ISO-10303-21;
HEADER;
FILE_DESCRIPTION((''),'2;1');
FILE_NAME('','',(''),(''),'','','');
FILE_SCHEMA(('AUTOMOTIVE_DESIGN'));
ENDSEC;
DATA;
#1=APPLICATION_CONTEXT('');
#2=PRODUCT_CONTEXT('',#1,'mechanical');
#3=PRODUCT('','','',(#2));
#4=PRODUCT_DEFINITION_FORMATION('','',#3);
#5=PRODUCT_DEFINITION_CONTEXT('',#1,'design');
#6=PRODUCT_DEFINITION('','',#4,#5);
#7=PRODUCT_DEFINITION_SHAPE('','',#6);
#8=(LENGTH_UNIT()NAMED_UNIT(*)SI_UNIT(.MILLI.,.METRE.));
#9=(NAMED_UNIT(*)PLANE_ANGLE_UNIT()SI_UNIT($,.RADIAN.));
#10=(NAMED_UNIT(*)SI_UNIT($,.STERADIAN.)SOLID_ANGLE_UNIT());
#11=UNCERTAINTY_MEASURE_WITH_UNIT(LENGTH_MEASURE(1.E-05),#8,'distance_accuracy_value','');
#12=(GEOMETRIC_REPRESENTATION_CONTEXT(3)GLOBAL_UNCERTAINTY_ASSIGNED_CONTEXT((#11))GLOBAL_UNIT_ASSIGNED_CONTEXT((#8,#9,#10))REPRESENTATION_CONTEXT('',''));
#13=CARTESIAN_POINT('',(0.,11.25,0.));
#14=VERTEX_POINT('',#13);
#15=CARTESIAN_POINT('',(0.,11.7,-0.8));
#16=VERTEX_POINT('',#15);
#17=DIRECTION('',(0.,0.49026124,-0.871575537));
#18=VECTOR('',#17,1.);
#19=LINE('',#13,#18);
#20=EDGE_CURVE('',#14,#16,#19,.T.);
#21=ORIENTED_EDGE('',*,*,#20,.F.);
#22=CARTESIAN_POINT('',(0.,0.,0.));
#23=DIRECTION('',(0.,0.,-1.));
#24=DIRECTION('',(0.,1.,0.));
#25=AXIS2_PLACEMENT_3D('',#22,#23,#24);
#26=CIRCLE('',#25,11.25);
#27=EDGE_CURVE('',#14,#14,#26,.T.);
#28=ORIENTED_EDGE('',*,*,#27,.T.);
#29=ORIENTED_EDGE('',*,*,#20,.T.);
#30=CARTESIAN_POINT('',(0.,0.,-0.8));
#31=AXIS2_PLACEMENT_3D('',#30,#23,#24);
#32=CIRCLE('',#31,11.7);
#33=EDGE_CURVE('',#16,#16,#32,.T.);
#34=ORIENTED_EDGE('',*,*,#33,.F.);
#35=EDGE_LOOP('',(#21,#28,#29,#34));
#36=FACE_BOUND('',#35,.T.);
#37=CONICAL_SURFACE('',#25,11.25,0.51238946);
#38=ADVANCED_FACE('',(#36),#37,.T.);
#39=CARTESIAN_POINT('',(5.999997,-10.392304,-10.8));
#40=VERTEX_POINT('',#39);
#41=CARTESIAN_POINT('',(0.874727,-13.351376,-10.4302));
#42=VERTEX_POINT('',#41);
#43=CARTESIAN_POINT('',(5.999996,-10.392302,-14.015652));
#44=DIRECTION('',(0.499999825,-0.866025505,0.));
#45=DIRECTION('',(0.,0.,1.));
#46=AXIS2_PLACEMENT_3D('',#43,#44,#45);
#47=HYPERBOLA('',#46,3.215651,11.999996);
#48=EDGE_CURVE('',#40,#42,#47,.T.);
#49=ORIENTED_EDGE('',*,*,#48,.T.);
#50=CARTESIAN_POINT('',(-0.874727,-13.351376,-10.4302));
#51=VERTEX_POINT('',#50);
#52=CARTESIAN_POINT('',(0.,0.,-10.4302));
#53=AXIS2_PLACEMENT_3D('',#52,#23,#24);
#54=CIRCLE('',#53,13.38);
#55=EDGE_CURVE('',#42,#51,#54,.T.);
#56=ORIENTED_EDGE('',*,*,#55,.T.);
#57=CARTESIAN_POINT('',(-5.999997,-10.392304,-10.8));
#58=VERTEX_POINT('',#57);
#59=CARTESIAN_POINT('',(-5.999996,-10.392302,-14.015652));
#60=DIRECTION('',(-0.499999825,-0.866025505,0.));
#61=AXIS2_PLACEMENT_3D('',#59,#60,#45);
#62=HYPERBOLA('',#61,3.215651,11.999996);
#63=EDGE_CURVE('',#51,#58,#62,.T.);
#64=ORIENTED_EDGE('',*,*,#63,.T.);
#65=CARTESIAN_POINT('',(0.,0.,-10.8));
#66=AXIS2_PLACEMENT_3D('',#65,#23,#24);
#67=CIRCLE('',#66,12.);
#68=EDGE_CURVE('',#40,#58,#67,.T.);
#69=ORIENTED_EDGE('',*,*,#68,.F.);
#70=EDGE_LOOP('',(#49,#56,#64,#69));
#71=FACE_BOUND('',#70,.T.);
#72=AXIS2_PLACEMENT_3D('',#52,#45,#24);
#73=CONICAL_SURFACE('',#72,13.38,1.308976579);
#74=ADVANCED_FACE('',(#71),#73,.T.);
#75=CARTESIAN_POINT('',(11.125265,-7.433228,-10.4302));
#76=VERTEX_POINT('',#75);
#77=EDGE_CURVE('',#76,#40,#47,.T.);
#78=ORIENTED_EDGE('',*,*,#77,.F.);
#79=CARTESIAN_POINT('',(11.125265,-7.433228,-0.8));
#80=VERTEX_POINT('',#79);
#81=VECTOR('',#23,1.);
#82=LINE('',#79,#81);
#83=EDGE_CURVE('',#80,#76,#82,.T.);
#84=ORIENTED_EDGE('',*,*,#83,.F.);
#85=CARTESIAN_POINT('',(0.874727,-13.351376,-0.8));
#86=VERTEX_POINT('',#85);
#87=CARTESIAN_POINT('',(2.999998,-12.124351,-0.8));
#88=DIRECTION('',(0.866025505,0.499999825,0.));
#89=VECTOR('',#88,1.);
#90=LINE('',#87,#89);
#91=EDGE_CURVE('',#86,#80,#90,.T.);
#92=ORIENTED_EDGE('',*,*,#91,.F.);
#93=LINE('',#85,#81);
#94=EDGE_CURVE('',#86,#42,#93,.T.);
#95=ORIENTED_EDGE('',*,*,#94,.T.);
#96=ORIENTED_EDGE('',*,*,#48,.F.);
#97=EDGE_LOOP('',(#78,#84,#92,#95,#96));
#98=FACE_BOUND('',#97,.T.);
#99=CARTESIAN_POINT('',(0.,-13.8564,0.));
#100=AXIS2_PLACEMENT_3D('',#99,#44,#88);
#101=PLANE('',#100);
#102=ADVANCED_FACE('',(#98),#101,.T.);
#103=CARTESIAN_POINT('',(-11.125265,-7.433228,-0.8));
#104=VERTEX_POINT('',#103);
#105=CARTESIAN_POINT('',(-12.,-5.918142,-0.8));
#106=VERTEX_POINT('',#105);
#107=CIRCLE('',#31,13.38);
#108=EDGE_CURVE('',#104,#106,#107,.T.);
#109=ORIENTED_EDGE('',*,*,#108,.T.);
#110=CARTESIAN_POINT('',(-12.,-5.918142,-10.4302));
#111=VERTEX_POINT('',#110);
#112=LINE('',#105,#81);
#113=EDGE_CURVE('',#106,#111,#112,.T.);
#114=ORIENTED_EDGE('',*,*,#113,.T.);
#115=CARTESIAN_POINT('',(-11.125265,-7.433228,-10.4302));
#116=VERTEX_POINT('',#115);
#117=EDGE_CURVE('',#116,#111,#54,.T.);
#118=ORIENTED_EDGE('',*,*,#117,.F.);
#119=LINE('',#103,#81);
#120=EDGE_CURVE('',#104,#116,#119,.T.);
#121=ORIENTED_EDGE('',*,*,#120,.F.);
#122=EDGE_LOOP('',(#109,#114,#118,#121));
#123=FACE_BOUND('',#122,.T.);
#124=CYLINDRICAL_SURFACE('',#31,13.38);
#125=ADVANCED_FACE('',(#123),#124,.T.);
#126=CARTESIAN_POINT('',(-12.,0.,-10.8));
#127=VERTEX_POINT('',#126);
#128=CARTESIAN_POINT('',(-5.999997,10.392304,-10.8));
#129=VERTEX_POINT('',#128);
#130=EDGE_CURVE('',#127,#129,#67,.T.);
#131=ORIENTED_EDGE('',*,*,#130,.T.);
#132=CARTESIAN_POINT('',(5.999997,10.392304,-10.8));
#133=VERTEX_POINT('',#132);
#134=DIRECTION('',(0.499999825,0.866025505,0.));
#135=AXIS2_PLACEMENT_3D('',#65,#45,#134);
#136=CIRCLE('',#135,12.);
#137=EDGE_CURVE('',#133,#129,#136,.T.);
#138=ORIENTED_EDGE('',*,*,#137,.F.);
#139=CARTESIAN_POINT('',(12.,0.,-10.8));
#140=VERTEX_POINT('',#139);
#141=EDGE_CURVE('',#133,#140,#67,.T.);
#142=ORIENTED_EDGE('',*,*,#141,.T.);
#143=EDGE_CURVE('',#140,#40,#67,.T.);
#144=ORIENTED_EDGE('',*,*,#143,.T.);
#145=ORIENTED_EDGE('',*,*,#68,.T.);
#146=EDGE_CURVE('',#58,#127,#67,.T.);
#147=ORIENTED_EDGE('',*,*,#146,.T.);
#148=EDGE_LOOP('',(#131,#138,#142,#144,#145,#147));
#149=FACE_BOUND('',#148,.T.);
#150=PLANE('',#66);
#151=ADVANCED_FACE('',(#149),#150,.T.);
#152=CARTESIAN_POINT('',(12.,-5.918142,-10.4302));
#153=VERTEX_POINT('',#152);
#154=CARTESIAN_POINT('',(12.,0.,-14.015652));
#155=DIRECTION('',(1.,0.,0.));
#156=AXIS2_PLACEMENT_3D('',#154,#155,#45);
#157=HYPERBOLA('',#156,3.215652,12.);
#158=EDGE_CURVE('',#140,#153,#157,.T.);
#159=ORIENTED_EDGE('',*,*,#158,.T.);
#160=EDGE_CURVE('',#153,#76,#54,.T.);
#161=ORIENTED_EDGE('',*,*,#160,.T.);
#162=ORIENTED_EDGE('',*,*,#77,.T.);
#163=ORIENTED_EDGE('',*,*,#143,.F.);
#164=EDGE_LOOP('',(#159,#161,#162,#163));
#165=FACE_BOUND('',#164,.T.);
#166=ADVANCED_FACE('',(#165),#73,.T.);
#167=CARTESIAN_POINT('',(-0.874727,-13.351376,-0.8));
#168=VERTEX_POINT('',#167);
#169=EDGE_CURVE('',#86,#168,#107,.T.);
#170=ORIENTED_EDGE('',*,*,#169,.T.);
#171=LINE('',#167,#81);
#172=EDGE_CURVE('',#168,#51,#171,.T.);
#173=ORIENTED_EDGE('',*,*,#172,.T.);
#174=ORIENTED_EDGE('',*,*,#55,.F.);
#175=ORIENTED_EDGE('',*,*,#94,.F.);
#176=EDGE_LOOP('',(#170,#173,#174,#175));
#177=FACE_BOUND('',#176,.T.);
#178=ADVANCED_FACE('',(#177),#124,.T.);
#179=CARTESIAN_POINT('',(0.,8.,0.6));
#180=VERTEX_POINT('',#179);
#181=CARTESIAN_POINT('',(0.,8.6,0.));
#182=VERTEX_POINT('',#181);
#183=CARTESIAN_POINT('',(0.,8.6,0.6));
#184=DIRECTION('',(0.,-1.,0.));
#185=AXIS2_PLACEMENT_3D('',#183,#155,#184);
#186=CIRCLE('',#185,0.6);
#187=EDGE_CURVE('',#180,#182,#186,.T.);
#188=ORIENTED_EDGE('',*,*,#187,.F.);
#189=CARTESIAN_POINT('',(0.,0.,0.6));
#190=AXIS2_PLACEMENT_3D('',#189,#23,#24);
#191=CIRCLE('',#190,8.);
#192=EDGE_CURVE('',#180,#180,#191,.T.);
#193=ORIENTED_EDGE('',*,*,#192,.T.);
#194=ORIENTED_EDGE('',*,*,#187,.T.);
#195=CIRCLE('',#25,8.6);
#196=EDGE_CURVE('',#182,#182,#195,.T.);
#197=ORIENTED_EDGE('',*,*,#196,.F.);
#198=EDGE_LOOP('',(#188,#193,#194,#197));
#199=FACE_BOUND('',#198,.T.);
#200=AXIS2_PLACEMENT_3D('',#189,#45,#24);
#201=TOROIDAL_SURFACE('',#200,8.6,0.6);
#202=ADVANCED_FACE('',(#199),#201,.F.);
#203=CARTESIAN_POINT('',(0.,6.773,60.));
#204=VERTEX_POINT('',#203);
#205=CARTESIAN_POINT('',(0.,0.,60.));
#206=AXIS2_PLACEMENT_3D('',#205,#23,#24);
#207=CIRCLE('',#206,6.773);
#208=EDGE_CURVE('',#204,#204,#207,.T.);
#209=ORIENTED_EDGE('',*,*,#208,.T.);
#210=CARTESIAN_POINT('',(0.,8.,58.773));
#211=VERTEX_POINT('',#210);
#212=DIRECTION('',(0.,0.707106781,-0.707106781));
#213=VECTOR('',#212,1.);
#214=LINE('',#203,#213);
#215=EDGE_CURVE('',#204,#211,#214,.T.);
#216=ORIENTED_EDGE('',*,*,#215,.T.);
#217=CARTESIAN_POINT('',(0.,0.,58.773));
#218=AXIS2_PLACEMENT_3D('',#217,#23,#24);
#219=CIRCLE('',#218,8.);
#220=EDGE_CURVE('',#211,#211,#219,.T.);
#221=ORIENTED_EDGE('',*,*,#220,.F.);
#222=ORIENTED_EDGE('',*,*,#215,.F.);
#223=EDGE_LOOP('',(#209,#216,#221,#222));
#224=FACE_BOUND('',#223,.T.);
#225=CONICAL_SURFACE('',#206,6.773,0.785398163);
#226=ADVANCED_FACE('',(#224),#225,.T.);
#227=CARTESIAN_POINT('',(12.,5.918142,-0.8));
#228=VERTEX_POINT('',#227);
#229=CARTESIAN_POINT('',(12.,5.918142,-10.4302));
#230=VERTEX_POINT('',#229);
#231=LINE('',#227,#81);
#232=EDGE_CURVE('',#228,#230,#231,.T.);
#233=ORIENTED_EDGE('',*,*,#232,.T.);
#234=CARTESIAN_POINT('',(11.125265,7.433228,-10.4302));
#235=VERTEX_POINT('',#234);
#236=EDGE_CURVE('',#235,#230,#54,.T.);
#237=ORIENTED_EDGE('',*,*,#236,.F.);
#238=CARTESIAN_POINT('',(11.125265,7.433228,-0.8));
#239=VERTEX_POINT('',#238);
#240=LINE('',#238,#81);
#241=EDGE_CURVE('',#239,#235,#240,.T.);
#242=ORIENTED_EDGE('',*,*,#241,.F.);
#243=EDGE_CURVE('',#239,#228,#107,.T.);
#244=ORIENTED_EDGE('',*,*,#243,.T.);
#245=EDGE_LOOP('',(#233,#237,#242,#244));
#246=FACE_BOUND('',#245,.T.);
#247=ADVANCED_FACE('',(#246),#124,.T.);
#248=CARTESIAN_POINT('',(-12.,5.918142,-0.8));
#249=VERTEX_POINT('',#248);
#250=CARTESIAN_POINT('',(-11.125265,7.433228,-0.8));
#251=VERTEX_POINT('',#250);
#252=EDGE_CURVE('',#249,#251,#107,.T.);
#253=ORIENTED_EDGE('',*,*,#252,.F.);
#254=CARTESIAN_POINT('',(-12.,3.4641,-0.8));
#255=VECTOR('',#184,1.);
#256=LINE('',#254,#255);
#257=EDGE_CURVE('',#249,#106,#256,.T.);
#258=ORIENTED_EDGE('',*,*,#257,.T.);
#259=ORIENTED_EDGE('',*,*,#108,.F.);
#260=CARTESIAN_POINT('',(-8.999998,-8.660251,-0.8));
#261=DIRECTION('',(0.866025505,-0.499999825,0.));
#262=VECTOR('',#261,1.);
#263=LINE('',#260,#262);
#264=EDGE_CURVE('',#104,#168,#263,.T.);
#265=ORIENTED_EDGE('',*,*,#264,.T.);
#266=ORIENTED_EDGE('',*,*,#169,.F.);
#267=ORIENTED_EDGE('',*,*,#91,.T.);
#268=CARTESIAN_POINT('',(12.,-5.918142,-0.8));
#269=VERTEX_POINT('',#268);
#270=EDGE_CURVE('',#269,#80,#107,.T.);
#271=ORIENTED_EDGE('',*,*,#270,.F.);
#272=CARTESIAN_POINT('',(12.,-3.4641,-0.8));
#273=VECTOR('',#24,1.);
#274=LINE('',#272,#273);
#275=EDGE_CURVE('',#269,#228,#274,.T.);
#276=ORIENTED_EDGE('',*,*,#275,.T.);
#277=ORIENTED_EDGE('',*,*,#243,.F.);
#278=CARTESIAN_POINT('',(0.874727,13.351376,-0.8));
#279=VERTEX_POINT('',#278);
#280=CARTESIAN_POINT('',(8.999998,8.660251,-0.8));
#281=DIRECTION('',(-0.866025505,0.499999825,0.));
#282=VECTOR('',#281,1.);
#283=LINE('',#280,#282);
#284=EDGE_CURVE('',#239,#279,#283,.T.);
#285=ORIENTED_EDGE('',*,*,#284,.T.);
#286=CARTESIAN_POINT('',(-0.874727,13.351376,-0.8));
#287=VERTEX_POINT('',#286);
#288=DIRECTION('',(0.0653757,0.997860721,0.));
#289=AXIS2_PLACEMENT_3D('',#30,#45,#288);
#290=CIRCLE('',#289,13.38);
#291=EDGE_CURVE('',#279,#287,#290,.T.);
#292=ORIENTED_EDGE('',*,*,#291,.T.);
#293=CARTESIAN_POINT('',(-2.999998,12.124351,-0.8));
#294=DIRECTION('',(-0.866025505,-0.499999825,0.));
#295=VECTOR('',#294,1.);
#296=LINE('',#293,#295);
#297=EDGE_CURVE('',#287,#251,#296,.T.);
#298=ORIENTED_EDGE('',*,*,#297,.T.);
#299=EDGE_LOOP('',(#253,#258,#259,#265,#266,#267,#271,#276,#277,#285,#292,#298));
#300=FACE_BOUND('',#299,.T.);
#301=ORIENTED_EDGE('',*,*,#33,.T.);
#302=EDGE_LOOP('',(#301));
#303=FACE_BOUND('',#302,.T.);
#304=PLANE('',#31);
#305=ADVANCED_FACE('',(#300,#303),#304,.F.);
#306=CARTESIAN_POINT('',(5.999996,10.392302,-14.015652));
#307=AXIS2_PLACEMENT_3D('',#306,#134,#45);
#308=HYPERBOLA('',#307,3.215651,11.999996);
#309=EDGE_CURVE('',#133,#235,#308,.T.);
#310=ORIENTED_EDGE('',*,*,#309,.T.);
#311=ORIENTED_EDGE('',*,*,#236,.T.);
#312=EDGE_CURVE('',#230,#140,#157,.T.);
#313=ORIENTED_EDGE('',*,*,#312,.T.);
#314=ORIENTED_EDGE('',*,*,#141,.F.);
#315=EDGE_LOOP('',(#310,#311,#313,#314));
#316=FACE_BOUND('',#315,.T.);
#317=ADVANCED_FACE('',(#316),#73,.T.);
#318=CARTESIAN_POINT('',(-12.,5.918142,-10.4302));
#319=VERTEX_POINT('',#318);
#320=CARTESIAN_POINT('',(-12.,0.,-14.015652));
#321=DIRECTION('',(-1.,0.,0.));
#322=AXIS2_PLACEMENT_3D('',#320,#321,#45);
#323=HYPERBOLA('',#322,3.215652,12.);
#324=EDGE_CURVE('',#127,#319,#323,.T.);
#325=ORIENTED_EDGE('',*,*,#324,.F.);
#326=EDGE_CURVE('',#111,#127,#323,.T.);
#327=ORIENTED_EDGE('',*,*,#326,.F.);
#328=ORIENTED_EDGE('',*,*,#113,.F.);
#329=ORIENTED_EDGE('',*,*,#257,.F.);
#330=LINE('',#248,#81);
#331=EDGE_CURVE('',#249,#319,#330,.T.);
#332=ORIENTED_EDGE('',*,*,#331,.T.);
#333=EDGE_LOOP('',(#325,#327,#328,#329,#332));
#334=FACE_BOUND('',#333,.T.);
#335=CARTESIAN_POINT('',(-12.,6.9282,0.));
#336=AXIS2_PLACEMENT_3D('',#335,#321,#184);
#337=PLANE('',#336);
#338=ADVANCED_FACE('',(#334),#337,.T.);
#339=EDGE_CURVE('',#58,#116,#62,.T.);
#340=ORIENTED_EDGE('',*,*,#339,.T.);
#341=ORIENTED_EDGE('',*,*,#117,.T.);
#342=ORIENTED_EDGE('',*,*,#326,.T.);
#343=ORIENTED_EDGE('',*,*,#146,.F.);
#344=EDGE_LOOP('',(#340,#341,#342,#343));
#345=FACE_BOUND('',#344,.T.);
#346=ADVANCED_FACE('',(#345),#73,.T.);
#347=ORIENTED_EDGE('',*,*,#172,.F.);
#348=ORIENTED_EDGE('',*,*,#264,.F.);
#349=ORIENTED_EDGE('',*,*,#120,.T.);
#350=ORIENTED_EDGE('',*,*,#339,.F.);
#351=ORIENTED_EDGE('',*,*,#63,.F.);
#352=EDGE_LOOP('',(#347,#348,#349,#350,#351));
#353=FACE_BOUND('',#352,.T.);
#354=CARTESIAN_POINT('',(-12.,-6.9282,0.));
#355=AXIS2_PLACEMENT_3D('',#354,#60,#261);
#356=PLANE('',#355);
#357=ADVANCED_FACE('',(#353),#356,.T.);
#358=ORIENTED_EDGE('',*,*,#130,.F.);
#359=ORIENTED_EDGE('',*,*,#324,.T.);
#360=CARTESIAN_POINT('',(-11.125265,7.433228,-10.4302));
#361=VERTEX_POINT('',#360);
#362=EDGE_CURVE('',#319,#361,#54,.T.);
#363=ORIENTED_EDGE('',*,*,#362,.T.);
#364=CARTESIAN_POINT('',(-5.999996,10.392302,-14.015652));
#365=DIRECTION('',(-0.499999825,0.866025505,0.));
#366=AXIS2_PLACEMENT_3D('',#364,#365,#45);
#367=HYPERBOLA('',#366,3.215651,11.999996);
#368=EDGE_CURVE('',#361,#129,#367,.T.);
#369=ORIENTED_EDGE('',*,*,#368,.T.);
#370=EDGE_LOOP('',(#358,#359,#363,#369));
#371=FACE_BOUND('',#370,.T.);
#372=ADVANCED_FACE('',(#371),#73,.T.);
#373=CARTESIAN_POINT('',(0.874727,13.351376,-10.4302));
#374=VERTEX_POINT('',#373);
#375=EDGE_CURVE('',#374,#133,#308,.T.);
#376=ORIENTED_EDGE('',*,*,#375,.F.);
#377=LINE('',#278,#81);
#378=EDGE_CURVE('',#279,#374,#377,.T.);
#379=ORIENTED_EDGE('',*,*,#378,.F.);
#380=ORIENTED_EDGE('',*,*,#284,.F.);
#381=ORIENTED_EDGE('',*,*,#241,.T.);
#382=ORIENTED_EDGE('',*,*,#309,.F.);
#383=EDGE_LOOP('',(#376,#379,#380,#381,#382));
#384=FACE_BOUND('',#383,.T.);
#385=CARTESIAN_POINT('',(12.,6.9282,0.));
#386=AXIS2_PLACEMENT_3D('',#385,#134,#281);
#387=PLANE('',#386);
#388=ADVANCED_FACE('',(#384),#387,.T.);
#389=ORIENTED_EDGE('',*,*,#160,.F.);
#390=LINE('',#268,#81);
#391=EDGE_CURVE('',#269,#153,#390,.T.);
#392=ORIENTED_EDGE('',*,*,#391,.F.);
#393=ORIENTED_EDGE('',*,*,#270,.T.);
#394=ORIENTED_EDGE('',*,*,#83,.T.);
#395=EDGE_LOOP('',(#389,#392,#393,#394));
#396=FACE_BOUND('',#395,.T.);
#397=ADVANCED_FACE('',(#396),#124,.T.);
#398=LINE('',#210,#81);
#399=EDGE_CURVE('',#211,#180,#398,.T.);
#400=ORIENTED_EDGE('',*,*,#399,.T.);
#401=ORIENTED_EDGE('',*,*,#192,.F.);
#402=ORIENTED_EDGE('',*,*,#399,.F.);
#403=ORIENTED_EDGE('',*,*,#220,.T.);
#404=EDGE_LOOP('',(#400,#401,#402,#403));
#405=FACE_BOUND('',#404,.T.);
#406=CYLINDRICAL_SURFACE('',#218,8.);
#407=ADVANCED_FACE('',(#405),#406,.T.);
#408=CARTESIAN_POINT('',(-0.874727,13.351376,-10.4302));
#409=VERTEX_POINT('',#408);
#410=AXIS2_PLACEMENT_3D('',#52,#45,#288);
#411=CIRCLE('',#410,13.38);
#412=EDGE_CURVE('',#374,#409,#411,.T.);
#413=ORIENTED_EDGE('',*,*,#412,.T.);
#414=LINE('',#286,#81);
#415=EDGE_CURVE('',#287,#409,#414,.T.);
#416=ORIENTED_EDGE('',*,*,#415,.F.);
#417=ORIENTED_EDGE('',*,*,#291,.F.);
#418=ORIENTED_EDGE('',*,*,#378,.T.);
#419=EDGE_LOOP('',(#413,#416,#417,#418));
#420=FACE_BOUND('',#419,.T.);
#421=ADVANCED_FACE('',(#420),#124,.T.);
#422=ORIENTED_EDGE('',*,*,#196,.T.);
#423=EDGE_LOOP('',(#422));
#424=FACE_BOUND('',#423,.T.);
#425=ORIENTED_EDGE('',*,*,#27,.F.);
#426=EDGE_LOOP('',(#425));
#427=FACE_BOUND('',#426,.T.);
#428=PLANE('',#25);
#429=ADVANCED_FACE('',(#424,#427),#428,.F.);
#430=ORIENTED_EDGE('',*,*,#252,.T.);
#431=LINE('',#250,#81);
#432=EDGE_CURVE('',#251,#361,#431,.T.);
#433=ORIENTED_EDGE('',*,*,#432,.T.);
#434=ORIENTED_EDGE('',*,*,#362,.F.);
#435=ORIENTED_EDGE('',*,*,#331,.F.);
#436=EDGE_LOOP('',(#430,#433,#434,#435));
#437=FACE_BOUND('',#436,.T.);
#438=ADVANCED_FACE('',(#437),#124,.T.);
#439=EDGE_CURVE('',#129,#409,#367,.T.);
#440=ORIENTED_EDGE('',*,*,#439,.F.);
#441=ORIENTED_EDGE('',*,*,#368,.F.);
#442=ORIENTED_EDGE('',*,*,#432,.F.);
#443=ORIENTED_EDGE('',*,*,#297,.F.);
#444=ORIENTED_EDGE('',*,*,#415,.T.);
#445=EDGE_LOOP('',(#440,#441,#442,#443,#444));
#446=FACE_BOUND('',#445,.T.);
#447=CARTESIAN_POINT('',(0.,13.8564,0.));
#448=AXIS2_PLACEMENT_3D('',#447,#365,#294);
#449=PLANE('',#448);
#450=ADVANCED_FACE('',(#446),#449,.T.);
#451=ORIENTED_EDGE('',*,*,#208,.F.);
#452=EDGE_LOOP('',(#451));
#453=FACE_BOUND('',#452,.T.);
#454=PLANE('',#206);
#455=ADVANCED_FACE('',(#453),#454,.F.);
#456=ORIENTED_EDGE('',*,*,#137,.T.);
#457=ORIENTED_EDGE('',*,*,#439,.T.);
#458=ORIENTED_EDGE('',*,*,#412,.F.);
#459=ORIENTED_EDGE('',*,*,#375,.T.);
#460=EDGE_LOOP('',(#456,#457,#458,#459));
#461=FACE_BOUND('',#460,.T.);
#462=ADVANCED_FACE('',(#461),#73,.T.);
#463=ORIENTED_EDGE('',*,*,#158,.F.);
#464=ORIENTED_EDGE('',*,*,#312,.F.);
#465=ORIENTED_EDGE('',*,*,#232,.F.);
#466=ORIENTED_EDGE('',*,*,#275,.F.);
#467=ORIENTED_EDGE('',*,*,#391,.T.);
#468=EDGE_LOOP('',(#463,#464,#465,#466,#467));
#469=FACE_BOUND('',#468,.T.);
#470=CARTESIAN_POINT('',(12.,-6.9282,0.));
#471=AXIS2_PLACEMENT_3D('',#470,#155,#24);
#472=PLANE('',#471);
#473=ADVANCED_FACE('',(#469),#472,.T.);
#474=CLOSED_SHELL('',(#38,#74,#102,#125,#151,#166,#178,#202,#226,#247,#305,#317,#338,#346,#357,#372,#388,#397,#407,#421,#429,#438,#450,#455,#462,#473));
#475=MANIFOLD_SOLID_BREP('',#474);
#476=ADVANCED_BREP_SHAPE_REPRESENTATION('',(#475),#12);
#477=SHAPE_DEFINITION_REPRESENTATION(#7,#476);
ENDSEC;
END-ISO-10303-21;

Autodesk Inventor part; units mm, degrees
sketch "Sketch_3" plane through (0, 0, 0) normal (1, 0, 0) x (0, 0, -1)
  line L0 (10.8, 0) -> (-60, 0)
  line L1 (-60, 0) -> (-60, 6.773)
  line L2 (-60, 6.773) -> (-58.773, 8)
  line L3 (-58.773, 8) -> (-0.6, 8)
  arc A0 (-0.6, 8) -> (0, 8.6) centre (-0.6, 8.6) ccw
  line L4 (0, 8.6) -> (0, 11.25)
  line L5 (0, 11.25) -> (0.8, 11.7)
  line L6 (0.8, 11.7) -> (0.8, 13.38)
  line L7 (0.8, 13.38) -> (10.4302, 13.38)
  line L8 (10.4302, 13.38) -> (10.8, 12)
  line L9 (10.8, 12) -> (10.8, 0)
  line L10 (10.8, 0) -> (-60, 0)
revolve "Revolution1" add sketch "Sketch_3" angle 360 about axis through (0, 0, -10.8) along (0, 0, -1)
thread "Thread1" size "M16x2" class "6g" standard "ISO Metric profile" length 57.8748 offset 1.5252
sketch "Sketch_1" plane through (0, 0, 0) normal (0, 0, 1) x (1, 0, 0)
  line L0 (-24, -24) -> (24, -24)
  line L1 (24, -24) -> (24, 24)
  line L2 (24, 24) -> (-24, 24)
  line L3 (-24, 24) -> (-24, -24)
  line L4 (-12, -6.9282) -> (0, -13.8564)
  line L5 (0, -13.8564) -> (12, -6.9282)
  line L6 (12, -6.9282) -> (12, 6.9282)
  line L7 (12, 6.9282) -> (0, 13.8564)
  line L8 (0, 13.8564) -> (-12, 6.9282)
  line L9 (-12, 6.9282) -> (-12, -6.9282)
extrude "Extrusion1" cut sketch "Sketch_1" against normal blind 10.8
ref_plane "DP402_XY" through (0, 6.773, 60) normal (1, 0, 0) x (0, 0, -1)
ref_plane "DP402_YZ" through (0, 6.773, 60) normal (0, 0, -1) x (0, 1, 0)
ref_plane "DP402_ZX" through (0, 6.773, 60) normal (0, 1, 0) x (1, 0, 0)
ref_plane "DPG1_XY" through (0, 8, 58.773) normal (1, 0, 0) x (0, 0, -1)
ref_plane "DPG1_YZ" through (0, 8, 58.773) normal (0, 0, -1) x (0, 1, 0)
ref_plane "DPG1_ZX" through (0, 8, 58.773) normal (0, 1, 0) x (1, 0, 0)
ref_plane "DPG2_XY" through (0, -8, 58.773) normal (1, 0, 0) x (0, 0, -1)
ref_plane "DPG2_YZ" through (0, -8, 58.773) normal (0, 0, -1) x (0, 1, 0)
ref_plane "DPG2_ZX" through (0, -8, 58.773) normal (0, 1, 0) x (1, 0, 0)
ref_plane "SCHRAUBE_XY" through (0, 0, 0) normal (0, 0, -1) x (1, 0, 0)
ref_plane "SCHRAUBE_YZ" through (0, 0, 0) normal (1, 0, 0) x (0, -1, 0)
ref_plane "SCHRAUBE_ZX" through (0, 0, 0) normal (0, -1, 0) x (0, 0, -1)
properties part number "SLZ_63_Schraube_M16x60#"
